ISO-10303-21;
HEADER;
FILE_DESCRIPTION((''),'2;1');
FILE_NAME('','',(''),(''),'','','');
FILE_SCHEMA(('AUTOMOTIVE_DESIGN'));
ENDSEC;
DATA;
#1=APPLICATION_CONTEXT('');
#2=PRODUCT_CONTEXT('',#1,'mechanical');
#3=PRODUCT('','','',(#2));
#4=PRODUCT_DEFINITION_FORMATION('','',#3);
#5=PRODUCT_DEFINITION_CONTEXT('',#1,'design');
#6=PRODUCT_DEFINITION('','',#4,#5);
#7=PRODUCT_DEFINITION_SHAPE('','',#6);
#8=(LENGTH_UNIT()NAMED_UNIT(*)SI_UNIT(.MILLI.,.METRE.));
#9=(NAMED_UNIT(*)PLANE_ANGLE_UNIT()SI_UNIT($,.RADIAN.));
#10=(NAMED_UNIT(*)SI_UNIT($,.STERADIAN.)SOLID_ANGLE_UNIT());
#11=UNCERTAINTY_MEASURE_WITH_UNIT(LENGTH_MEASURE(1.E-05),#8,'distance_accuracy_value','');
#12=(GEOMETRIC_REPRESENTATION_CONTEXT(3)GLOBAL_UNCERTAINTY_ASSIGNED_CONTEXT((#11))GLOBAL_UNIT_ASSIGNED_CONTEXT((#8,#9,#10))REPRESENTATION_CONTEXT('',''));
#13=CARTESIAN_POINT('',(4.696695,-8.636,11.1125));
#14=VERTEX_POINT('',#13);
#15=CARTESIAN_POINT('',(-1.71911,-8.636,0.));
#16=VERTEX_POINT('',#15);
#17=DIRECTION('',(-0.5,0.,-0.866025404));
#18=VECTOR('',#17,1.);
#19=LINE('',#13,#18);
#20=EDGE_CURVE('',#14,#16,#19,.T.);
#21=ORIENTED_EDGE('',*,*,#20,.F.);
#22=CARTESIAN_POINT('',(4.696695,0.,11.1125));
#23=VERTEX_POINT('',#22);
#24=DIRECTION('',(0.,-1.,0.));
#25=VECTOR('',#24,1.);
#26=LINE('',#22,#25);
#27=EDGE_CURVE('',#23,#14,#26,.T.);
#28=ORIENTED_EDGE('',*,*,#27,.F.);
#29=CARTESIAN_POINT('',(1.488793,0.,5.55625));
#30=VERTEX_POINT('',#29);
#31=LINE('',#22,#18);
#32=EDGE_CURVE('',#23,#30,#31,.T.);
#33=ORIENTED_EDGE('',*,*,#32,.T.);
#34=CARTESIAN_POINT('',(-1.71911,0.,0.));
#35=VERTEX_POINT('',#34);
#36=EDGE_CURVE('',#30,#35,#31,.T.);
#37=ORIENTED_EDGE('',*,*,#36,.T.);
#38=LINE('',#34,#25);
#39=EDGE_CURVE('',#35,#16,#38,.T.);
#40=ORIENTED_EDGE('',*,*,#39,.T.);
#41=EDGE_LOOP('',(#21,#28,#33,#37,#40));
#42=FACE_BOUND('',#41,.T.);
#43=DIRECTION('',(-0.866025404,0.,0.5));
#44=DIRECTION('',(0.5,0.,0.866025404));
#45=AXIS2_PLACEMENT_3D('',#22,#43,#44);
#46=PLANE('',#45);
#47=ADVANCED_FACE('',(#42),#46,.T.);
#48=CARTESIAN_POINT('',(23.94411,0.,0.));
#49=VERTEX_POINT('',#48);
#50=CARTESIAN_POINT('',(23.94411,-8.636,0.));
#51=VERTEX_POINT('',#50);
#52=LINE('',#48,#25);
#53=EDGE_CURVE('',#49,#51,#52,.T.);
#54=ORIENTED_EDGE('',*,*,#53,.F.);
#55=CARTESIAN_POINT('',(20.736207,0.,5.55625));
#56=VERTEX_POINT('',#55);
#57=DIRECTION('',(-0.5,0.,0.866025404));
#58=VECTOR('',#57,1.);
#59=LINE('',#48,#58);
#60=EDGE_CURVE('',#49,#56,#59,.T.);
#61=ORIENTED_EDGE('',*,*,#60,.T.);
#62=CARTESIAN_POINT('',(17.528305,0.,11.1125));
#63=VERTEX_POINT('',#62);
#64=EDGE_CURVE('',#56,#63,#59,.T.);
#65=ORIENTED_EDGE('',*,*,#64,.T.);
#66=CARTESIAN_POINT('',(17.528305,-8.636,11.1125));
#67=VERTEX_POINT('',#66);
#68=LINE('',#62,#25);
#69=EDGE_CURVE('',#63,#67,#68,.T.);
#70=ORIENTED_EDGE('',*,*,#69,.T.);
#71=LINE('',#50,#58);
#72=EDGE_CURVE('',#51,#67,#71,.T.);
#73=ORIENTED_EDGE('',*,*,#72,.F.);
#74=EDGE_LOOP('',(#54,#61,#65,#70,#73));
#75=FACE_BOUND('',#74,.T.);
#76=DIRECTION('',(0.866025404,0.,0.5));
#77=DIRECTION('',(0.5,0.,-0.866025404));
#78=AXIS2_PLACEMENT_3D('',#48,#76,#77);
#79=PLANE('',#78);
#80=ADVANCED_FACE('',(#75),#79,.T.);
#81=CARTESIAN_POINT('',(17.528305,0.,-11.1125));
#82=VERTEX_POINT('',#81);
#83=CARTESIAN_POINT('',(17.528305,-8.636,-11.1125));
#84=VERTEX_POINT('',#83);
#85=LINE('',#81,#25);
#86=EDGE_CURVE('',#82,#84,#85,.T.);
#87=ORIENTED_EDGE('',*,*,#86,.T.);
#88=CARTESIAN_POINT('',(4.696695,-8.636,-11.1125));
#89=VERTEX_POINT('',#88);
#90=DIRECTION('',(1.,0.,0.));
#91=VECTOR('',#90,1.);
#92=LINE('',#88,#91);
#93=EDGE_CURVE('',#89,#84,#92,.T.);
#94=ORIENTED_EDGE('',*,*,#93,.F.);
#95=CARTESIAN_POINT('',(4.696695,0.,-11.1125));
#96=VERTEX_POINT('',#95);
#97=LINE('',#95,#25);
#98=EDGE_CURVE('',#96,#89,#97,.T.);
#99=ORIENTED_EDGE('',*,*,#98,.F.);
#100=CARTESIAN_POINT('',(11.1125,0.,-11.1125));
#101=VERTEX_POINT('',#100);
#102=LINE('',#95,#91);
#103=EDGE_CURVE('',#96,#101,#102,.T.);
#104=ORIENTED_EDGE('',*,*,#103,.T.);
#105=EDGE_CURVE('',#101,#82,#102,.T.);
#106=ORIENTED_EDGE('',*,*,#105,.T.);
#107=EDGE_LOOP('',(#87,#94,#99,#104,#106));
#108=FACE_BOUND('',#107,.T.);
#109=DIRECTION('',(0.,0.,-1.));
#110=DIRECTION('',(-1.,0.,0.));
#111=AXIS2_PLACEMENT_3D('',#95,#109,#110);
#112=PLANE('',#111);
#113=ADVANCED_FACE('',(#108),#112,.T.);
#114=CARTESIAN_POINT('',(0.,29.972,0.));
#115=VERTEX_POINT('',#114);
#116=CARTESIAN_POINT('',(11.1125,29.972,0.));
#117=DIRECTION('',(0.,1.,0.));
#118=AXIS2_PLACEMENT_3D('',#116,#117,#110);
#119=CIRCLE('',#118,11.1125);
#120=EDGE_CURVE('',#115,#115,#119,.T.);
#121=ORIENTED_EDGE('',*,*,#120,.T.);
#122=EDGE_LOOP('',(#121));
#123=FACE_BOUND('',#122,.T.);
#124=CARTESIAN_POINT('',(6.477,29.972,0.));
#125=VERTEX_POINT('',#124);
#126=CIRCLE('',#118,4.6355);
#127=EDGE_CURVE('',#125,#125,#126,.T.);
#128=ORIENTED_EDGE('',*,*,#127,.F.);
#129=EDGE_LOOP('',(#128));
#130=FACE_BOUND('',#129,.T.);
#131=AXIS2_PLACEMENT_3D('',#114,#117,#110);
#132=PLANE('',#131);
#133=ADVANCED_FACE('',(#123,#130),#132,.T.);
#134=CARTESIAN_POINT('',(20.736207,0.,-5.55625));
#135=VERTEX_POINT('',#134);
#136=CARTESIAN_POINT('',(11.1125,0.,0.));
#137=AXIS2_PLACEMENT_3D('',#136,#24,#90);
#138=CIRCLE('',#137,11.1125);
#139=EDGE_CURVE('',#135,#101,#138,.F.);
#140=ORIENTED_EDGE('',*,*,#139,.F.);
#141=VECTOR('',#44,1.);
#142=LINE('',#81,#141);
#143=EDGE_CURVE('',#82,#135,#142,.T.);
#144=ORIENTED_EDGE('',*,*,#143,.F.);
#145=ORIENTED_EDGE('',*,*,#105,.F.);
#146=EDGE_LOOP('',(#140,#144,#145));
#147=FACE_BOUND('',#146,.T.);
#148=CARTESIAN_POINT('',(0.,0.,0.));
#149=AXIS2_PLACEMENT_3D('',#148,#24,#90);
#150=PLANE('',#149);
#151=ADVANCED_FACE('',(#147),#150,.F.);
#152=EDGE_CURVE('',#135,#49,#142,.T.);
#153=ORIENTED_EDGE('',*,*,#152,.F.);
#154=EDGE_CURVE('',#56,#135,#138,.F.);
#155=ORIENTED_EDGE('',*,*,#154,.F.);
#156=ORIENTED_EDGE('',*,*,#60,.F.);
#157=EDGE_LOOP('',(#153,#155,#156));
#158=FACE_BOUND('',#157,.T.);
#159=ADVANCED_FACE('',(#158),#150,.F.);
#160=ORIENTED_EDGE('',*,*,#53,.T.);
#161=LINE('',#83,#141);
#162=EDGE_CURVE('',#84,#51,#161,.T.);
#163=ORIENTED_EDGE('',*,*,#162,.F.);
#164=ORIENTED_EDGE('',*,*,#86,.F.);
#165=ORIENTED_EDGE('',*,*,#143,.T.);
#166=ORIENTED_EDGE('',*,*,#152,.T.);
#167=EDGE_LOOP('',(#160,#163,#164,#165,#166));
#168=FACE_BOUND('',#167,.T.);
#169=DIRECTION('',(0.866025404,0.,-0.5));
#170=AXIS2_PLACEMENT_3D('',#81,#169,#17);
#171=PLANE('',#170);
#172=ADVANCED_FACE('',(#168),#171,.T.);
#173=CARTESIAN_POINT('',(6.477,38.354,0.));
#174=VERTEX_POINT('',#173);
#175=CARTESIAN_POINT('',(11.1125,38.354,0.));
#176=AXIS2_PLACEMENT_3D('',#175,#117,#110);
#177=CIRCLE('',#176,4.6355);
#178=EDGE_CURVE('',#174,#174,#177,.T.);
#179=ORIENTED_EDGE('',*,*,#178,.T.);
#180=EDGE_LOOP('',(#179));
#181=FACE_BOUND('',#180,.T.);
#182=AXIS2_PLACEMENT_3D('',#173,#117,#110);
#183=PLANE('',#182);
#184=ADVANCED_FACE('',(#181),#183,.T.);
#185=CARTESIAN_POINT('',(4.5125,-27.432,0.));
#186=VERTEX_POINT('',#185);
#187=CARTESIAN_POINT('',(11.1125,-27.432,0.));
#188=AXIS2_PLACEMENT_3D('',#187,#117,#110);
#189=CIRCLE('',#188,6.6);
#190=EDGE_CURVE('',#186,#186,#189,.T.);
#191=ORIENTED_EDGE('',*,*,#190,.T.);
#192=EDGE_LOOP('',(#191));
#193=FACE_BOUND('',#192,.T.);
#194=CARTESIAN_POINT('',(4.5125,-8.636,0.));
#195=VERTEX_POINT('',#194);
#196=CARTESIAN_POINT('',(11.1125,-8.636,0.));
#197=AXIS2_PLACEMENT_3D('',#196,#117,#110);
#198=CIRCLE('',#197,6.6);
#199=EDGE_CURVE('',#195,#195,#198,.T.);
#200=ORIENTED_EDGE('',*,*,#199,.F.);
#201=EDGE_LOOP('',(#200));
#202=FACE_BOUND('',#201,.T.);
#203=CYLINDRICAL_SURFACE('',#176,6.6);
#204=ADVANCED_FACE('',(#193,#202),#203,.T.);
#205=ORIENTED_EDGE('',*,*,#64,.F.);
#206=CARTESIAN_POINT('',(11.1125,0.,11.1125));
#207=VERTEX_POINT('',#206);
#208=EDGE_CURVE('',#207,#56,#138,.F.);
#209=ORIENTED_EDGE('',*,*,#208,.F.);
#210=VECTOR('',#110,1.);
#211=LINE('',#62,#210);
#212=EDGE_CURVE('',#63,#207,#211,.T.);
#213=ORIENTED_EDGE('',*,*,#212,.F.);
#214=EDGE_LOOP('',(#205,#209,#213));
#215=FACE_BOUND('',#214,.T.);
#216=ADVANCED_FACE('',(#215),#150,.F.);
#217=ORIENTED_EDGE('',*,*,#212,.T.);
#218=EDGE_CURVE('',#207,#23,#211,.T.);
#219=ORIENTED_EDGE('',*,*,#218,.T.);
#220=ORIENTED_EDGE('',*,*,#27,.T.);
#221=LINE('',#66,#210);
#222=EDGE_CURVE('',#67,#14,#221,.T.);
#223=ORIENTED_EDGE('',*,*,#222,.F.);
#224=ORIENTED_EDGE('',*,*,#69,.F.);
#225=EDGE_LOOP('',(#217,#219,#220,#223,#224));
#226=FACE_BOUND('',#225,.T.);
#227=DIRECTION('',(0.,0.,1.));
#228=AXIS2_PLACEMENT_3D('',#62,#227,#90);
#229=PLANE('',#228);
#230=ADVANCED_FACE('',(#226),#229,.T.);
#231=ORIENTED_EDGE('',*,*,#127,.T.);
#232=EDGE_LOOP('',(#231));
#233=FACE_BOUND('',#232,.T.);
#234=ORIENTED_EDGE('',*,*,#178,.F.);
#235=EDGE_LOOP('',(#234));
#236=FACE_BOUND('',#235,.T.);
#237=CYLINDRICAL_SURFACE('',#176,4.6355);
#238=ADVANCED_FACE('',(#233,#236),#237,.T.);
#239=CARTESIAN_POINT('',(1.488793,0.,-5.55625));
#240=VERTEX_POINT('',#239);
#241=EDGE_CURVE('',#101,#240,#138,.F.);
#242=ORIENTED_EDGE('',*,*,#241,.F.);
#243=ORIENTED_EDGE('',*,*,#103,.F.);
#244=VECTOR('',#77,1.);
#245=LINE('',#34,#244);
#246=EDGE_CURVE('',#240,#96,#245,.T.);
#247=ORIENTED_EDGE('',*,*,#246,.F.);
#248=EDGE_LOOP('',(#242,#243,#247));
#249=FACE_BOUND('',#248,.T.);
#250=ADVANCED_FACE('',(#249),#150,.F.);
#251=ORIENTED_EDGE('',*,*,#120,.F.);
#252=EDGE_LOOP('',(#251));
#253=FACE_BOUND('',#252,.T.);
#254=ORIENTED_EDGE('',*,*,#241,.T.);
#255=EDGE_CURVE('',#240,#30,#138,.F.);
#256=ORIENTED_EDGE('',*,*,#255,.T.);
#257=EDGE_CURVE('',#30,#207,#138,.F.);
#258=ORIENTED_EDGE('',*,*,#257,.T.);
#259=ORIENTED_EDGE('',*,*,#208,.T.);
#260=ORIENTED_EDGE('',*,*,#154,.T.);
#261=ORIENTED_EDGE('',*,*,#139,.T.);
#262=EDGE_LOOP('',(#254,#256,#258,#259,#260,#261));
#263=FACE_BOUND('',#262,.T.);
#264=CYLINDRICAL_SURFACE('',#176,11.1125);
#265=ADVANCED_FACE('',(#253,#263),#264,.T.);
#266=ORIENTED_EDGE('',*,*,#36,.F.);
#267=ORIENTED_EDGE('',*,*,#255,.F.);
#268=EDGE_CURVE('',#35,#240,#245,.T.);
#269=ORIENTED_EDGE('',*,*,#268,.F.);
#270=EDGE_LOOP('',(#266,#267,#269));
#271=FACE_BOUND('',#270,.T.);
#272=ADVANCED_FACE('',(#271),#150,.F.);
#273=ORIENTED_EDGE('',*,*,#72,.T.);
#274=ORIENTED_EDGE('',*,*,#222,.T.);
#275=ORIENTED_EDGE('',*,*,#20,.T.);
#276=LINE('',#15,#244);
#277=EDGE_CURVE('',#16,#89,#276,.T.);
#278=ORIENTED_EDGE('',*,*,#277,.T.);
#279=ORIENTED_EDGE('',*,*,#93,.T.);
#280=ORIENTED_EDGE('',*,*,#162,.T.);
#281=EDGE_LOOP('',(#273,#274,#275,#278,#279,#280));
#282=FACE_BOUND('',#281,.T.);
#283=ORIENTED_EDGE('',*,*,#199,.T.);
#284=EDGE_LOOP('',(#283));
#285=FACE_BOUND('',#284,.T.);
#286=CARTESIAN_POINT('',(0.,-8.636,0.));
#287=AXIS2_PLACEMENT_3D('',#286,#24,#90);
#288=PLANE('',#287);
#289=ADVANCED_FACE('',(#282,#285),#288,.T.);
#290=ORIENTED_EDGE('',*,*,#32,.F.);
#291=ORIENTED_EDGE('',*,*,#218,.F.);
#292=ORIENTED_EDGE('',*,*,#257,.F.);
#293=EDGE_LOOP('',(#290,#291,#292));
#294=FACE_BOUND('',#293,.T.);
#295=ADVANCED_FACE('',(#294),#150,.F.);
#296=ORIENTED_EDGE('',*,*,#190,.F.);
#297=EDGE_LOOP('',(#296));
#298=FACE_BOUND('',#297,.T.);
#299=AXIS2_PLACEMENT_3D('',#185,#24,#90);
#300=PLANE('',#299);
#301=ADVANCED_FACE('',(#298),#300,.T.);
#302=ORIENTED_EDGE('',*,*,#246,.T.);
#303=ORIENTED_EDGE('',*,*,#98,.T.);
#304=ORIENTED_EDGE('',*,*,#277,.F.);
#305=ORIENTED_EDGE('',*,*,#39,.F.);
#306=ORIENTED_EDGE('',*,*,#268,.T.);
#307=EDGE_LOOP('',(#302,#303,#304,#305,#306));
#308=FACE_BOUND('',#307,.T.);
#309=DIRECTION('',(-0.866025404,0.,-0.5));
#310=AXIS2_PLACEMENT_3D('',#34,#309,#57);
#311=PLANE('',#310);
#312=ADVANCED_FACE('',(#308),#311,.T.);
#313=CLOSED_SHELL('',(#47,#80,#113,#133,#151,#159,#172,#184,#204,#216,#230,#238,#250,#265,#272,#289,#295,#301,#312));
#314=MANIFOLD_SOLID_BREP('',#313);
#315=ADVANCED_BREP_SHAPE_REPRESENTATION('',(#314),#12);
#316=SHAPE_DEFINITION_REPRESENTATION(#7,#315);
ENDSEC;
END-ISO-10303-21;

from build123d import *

# Parameters (mm, degrees)
BOSS_EXTRUDE1_DEPTH = 8.636


with BuildPart() as part:
    # Sketch1 → Revolve1 (revolve)
    with BuildSketch(Plane.XY):
        Polygon((0, 0), (0, 29.972), (6.477, 29.972), (6.477, 38.354), (11.1125, 38.354), (11.1125, 0), (11.1125, -27.432), (4.5125, -27.432), (4.5125, -8.636), (0, -8.636), align=None)
    revolve(axis=Axis((11.1125, 38.354, 0), (0, -1, 0)))

    # Sketch2 → Boss-Extrude1 (add)
    with BuildSketch(Plane.XZ.offset(8.636)):
        Polygon((23.944109733, 0), (17.528304866, 11.1125), (4.696695134, 11.1125), (-1.719109733, 0), (4.696695134, -11.1125), (17.528304866, -11.1125), align=None)
    extrude(amount=-BOSS_EXTRUDE1_DEPTH)


solid = part.part
